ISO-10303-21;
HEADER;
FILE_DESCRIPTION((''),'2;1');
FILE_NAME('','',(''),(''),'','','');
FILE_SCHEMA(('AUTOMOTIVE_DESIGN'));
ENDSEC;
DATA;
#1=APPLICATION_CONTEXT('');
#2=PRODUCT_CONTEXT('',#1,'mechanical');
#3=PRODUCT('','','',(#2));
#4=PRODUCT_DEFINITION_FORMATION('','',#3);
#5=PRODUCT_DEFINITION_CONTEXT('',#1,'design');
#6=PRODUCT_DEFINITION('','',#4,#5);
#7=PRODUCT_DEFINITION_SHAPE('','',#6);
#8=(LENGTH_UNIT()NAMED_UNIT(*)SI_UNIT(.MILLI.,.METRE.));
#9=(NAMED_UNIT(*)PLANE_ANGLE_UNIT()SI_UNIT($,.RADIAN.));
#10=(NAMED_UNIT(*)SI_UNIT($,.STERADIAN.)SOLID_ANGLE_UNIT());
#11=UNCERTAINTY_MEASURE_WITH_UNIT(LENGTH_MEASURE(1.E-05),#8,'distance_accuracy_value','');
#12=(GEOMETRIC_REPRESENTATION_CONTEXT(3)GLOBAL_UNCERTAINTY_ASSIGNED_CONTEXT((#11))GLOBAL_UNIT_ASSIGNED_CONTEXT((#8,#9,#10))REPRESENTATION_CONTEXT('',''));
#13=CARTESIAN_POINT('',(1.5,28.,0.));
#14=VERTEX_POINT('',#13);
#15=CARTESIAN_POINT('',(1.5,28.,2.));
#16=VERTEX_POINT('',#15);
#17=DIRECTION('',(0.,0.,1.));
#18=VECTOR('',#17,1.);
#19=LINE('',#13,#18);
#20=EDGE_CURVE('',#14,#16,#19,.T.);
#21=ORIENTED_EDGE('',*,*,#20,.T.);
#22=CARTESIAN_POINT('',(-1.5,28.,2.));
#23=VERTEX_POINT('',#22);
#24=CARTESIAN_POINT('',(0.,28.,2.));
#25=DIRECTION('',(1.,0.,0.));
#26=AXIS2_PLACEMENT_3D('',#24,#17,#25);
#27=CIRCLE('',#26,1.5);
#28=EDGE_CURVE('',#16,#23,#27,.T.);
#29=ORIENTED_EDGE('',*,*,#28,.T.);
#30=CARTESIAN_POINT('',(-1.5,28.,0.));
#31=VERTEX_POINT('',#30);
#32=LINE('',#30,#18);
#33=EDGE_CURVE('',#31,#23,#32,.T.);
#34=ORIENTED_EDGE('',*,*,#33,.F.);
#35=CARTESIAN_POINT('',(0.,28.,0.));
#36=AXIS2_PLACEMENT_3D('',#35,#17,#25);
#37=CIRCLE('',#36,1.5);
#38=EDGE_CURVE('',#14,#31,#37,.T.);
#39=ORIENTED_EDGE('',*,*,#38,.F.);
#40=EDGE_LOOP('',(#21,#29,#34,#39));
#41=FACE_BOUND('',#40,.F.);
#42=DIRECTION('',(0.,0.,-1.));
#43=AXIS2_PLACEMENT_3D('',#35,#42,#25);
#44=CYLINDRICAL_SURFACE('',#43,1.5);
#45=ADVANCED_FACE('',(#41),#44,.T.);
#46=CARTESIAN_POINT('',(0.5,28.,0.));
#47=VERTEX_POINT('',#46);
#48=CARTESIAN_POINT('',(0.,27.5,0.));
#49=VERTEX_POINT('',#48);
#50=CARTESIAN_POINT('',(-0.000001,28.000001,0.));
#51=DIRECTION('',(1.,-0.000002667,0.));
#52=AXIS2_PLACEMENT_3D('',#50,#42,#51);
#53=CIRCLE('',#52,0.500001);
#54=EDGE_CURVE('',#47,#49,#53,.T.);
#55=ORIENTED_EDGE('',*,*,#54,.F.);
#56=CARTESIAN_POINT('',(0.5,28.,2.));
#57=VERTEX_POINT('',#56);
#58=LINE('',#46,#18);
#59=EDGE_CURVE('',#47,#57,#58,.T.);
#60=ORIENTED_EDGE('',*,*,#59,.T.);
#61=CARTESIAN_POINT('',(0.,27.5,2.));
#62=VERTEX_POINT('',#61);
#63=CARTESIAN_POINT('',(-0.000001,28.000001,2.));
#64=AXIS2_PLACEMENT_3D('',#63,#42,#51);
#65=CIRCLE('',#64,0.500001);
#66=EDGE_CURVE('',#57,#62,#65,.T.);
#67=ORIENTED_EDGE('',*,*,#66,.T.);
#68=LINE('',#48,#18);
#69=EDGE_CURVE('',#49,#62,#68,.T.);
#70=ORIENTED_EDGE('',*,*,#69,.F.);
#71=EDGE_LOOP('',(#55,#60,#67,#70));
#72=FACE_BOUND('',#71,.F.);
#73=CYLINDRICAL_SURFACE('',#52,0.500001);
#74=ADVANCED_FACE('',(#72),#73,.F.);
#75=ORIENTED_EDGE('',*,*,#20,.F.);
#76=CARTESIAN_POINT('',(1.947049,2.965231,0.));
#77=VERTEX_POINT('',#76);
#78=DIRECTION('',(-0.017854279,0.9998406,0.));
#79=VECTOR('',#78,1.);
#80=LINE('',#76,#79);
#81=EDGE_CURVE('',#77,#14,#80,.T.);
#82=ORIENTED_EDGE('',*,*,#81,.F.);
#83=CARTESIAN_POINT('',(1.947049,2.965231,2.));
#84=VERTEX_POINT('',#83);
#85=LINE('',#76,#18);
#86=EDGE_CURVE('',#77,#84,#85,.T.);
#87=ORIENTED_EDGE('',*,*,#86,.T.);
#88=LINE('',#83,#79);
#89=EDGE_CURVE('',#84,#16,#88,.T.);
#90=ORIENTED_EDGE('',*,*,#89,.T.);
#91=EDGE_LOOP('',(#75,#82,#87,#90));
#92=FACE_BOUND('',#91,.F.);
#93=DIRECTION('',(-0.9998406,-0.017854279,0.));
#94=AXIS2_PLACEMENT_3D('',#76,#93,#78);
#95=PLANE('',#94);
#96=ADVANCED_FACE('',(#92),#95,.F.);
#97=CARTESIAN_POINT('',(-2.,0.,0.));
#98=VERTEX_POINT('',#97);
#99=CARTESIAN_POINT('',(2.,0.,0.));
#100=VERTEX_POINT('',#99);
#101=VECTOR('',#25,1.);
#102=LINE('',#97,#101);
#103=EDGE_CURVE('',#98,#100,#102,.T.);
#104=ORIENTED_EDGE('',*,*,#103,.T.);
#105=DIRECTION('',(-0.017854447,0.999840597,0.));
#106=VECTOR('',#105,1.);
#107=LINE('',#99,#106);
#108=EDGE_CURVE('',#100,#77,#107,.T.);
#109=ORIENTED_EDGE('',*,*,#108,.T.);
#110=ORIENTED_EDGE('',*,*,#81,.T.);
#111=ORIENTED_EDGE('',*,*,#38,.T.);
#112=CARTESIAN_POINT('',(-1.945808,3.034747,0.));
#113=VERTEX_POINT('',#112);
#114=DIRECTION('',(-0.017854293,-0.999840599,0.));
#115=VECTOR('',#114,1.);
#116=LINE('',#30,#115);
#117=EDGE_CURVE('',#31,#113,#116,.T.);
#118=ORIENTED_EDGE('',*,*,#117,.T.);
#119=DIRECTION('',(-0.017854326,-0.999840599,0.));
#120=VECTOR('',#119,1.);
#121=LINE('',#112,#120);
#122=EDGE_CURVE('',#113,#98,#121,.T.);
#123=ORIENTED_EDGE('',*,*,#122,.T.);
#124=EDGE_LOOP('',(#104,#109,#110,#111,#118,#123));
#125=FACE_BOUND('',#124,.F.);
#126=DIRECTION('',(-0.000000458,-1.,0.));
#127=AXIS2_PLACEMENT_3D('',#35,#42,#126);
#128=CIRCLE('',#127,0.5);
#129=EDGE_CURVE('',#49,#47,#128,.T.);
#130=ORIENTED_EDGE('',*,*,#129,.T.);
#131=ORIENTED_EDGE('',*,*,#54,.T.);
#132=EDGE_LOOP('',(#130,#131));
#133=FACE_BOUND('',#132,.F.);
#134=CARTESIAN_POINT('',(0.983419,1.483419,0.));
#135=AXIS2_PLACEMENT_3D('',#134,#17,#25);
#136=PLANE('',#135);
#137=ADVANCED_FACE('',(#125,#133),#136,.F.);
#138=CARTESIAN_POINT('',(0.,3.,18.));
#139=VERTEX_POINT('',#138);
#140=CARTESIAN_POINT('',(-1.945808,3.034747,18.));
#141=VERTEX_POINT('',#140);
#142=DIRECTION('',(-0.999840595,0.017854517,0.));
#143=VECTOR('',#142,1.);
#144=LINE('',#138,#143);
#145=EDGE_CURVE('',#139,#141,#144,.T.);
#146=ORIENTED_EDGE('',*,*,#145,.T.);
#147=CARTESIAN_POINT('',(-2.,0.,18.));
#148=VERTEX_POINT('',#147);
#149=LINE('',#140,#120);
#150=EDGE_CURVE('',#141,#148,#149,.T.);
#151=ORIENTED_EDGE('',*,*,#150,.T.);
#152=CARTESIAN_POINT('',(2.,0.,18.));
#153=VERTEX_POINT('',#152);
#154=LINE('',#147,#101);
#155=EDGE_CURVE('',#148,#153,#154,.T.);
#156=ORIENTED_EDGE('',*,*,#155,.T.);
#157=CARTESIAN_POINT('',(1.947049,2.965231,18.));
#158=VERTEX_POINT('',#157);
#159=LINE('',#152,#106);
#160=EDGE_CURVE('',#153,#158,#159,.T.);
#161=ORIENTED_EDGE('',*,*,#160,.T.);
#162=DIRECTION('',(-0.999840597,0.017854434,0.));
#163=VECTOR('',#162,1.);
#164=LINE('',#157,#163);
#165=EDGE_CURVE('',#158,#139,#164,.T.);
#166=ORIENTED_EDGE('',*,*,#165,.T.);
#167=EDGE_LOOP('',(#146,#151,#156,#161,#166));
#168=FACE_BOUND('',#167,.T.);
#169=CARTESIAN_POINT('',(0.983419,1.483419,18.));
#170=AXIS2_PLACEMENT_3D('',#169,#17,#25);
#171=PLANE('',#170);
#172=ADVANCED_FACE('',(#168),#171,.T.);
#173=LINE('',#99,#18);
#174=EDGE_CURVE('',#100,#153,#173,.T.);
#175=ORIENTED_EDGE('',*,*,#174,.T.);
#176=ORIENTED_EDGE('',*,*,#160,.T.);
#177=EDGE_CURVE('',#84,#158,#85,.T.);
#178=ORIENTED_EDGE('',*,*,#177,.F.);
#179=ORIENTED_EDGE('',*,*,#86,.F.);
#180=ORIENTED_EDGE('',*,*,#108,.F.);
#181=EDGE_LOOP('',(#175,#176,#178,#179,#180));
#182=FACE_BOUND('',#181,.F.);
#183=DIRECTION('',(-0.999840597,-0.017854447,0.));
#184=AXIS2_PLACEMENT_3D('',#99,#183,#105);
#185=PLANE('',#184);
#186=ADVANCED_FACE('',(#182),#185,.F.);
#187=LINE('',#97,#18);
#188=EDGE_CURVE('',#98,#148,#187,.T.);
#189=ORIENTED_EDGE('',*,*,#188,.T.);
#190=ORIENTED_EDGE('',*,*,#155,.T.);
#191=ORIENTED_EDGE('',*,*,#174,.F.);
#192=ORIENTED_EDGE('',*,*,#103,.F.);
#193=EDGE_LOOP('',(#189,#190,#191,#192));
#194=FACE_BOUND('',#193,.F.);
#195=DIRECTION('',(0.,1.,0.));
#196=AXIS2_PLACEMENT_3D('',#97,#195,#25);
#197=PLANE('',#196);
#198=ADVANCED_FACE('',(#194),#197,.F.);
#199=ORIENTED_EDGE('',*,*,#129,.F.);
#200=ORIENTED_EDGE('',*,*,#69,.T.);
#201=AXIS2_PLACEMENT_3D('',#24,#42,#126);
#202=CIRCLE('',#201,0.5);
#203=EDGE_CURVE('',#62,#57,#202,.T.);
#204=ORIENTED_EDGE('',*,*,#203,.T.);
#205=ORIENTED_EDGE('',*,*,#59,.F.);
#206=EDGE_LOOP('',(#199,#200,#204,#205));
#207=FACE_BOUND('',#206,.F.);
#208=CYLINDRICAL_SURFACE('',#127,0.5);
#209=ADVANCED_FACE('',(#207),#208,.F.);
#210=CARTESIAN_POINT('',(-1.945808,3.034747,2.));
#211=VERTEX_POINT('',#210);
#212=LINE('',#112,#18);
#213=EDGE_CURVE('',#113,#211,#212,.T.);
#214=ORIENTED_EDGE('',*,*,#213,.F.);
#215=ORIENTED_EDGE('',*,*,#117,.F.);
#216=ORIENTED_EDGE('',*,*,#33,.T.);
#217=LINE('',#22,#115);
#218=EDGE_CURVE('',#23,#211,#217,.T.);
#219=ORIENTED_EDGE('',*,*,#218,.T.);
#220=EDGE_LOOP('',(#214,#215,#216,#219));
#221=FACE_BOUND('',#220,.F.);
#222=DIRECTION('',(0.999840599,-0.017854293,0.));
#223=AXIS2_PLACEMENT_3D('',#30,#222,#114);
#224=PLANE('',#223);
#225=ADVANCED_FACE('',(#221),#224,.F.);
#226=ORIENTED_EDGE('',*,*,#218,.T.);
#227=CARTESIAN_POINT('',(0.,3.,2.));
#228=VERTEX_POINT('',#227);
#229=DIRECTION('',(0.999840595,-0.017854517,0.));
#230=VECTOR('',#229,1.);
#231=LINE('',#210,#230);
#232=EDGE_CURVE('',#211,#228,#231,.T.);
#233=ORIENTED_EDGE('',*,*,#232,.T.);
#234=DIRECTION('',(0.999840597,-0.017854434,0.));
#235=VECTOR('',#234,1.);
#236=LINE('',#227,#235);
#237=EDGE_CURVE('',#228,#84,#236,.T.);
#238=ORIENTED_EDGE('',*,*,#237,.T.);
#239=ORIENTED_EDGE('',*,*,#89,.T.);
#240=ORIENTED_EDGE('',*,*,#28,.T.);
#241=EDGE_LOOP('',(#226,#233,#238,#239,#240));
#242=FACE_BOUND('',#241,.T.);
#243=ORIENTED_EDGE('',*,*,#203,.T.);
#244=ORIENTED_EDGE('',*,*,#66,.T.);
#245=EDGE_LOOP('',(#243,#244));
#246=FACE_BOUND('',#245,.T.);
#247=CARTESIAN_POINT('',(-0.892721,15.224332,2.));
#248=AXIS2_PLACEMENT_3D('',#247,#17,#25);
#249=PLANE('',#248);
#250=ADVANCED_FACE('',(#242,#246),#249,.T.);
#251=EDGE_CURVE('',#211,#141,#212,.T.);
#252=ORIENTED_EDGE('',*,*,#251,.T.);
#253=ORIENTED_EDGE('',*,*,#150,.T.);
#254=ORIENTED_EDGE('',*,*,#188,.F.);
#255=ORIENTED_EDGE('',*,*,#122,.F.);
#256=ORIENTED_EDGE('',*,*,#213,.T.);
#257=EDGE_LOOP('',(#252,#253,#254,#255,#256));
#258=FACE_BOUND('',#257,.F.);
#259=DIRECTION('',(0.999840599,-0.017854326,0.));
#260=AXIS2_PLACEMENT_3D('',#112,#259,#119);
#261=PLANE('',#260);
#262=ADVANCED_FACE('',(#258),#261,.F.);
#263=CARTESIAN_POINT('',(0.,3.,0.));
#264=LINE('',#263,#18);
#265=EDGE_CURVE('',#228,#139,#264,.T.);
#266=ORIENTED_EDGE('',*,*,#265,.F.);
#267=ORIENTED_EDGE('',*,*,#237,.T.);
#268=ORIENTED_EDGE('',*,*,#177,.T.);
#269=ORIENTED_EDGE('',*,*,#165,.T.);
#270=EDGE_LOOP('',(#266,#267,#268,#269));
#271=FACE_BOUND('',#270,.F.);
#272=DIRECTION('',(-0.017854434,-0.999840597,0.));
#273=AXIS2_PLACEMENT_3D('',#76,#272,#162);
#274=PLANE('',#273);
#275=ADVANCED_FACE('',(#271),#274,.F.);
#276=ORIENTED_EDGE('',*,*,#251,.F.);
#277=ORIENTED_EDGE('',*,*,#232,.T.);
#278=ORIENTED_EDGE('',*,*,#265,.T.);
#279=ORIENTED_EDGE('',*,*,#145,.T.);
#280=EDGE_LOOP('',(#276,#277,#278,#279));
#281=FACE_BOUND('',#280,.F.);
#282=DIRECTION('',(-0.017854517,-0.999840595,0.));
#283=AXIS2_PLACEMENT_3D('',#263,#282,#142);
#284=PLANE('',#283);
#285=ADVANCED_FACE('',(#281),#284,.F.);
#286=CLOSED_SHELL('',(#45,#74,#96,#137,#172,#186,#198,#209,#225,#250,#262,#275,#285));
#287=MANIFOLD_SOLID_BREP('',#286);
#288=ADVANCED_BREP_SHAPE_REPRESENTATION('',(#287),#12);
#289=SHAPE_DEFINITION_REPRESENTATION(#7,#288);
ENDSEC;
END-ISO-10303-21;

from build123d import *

# Parameters (mm, degrees)
F1_DEPTH = 2
F2_DEPTH = 18


with BuildPart() as f1:
    # F0 (on Top) → F1 (new body)
    with BuildSketch(Plane.XY):
        with BuildLine():
            Line((-1.945808, 3.034747), (0, 3))
            Line((0, 3), (0, 26.5))
            ThreePointArc((0, 26.5), (-1.06066, 26.93934), (-1.5, 28))
            Line((-1.5, 28), (-1.945808, 3.034747))
        make_face()
        with BuildLine():
            Line((0, 26.5), (0, 3))
            Line((0, 3), (1.947049, 2.965231))
            Line((1.947049, 2.965231), (1.5, 28))
            ThreePointArc((1.5, 28), (1.06066, 26.93934), (0, 26.5))
        make_face()
        with BuildLine():
            ThreePointArc((-1.5, 28), (-1.06066, 26.93934), (0, 26.5))
            ThreePointArc((0, 26.5), (1.06066, 26.93934), (1.5, 28))
            ThreePointArc((1.5, 28), (0, 29.5), (-1.5, 28))
        make_face()
        with BuildLine():
            ThreePointArc((0.5, 28), (0.353553, 27.646447), (0, 27.5))
            ThreePointArc((0, 27.5), (-0.353553, 28.353553), (0.5, 28))
        make_face(mode=Mode.SUBTRACT)
    extrude(amount=F1_DEPTH)

    # F0 (on Top) → F2 (join)
    with BuildSketch(Plane.XY):
        Polygon((0, 3), (0, 0), (2, 0), (1.947049, 2.965231), align=None)
        Polygon((-2, 0), (0, 0), (0, 3), (-1.945808, 3.034747), align=None)
    extrude(amount=F2_DEPTH)


solid = f1.part
